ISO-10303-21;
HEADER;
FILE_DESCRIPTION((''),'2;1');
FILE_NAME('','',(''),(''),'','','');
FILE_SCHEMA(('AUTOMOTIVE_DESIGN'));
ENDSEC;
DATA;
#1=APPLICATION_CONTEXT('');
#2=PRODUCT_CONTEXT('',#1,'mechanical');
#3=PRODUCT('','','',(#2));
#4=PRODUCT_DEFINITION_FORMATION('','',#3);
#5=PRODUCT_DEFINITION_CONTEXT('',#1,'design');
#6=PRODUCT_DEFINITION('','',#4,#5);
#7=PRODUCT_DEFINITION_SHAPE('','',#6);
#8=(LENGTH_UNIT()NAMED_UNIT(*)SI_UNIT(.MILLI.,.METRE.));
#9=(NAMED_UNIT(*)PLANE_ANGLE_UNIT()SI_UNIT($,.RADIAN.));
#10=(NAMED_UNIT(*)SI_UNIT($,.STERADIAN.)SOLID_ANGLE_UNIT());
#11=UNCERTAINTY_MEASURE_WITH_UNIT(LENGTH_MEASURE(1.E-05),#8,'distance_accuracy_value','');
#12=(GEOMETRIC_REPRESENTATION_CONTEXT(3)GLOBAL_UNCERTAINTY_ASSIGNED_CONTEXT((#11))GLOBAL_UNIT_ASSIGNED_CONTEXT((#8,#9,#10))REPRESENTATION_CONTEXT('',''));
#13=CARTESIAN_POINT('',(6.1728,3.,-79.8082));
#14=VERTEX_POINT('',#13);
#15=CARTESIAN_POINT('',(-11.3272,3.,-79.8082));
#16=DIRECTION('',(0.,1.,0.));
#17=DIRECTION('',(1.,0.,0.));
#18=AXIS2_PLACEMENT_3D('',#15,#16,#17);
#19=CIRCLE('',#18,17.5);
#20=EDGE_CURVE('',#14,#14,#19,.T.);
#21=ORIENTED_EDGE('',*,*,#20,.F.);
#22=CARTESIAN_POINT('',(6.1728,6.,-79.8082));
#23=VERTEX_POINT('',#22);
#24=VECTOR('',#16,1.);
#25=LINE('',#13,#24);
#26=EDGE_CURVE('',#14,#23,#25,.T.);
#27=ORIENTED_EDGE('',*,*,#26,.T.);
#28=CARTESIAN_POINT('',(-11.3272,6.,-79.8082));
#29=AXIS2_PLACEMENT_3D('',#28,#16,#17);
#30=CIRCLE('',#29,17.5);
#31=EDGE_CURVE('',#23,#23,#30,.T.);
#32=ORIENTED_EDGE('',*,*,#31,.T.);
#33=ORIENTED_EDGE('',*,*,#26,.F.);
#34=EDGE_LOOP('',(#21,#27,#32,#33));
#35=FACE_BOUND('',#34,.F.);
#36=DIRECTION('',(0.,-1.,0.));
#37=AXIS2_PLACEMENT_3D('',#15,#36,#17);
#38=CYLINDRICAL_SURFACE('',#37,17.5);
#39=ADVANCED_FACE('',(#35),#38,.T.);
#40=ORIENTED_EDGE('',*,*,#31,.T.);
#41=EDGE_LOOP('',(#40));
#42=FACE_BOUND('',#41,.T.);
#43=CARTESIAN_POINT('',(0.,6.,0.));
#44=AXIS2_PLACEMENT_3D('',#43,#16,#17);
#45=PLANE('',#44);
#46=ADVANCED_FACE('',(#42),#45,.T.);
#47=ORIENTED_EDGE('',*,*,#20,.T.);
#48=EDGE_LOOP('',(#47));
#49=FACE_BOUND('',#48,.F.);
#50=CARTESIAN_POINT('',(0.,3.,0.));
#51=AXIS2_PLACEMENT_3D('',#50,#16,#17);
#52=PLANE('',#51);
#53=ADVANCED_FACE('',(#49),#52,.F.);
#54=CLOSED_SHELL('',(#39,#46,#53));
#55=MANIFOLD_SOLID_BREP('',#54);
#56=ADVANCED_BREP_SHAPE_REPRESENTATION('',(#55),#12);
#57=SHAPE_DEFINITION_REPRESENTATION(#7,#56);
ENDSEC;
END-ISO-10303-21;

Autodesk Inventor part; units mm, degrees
ref_plane "YZ Plane" through (0, 0, 0) normal (1, 0, 0) x (0, 1, 0)
ref_plane "XZ Plane" through (0, 0, 0) normal (0, 1, 0) x (-1, 0, 0)
ref_plane "XY Plane" through (0, 0, 0) normal (0, 0, 1) x (1, 0, 0)
ref_plane "Arbeitsebene1" through (0, 3, 0) normal (0, 1, 0) x (1, 0, 0)
sketch "Skizze7" plane through (0, 3, 0) normal (0, 1, 0) x (1, 0, 0)
  circle A0 centre (-11.3272, 79.8082) radius 17.5
  point P0 (0, 0)
  dimension "d23" = 35
extrude "Extrusion6" add sketch "Skizze7" along normal blind 3
properties part number "Geschwindigkeitsschild_Teil_Oben"
